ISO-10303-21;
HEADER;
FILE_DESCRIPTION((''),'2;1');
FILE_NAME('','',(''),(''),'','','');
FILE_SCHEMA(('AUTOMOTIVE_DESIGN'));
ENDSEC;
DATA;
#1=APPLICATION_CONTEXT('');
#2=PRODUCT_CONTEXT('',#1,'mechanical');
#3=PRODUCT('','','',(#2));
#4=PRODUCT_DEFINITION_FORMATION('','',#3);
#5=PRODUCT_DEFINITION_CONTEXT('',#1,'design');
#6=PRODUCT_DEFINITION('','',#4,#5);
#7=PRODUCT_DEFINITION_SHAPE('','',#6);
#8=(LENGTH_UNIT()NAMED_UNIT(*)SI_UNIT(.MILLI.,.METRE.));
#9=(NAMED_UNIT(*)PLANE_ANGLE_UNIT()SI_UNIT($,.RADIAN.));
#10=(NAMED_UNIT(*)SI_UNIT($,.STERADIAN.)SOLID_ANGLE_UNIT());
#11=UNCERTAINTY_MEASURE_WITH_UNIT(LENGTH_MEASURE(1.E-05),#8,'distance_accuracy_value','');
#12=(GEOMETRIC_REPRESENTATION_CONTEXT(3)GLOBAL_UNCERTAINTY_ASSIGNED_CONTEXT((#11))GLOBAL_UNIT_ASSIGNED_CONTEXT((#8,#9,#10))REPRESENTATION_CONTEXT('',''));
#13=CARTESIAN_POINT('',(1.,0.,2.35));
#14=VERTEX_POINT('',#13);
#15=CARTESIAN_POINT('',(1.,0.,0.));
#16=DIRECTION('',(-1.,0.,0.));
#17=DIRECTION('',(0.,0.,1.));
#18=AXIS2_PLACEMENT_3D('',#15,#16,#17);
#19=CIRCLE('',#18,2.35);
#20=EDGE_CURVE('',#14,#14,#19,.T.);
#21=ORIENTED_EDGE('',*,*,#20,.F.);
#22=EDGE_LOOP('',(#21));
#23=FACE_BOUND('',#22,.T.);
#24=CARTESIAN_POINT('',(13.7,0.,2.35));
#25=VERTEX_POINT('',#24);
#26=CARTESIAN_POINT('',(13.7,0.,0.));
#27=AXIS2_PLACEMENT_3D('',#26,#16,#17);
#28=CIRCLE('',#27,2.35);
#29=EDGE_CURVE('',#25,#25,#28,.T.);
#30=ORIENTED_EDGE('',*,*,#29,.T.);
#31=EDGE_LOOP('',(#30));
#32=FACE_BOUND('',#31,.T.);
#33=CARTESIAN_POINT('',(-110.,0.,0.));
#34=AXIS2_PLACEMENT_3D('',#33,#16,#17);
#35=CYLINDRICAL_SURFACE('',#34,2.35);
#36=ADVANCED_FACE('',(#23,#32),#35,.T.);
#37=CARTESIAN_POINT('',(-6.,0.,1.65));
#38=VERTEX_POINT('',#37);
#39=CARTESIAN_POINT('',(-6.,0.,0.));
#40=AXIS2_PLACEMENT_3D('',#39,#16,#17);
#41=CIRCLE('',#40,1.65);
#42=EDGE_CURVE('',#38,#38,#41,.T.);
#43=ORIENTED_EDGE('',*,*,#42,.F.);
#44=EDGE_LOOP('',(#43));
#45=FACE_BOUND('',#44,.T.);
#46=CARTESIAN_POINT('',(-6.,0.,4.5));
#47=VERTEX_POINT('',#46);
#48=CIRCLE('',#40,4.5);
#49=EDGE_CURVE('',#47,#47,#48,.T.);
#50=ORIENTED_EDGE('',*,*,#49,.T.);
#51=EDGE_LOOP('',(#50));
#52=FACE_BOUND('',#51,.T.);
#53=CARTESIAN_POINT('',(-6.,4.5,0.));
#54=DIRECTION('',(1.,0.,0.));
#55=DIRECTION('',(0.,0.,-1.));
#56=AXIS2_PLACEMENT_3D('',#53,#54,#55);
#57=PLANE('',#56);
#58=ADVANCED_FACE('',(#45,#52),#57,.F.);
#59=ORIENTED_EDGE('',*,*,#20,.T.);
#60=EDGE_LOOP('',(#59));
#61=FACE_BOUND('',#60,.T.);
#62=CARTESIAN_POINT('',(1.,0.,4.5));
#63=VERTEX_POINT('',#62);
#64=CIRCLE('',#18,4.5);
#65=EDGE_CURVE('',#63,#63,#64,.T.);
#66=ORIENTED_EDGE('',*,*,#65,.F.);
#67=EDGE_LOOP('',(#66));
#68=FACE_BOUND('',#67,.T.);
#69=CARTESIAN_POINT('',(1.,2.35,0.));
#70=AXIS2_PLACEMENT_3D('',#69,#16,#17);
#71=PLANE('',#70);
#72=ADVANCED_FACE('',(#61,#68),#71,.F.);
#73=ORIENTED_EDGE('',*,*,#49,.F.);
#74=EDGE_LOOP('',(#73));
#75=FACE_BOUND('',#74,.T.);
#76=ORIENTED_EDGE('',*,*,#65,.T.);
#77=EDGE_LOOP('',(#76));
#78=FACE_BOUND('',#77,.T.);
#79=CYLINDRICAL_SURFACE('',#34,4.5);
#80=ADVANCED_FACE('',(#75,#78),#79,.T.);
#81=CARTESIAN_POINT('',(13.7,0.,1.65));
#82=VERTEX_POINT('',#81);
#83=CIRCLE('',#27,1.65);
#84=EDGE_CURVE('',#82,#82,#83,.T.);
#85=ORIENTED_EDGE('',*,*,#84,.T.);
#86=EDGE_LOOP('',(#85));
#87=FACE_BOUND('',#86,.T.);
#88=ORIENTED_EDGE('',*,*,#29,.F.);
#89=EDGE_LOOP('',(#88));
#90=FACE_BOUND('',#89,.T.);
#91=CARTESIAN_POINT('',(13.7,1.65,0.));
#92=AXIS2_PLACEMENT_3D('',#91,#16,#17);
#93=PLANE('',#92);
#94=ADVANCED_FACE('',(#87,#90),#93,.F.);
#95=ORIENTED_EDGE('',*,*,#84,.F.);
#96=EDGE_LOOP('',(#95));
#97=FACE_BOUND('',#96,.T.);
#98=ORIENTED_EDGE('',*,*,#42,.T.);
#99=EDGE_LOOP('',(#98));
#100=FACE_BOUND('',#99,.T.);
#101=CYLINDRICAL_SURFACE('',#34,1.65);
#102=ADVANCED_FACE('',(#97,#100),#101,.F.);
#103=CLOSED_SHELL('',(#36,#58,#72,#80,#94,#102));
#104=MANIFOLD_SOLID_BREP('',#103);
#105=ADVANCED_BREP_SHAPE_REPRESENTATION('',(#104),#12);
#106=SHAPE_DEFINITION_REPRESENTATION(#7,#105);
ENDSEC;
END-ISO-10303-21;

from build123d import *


with BuildPart() as part:
    # Axial profile (mm) → Full revolution (revolve)
    with BuildSketch(Plane.XY, mode=Mode.PRIVATE) as full_revolution_sk:
        Polygon((-6, 1.65), (13.7, 1.65), (13.7, 2.35), (1, 2.35), (1, 4.5), (-6, 4.5), align=None)
    revolve(full_revolution_sk.sketch.rotate(Axis((-110, 0, 0), (1, 0, 0)), 90), axis=Axis((-110, 0, 0), (1, 0, 0)))


solid = part.part
